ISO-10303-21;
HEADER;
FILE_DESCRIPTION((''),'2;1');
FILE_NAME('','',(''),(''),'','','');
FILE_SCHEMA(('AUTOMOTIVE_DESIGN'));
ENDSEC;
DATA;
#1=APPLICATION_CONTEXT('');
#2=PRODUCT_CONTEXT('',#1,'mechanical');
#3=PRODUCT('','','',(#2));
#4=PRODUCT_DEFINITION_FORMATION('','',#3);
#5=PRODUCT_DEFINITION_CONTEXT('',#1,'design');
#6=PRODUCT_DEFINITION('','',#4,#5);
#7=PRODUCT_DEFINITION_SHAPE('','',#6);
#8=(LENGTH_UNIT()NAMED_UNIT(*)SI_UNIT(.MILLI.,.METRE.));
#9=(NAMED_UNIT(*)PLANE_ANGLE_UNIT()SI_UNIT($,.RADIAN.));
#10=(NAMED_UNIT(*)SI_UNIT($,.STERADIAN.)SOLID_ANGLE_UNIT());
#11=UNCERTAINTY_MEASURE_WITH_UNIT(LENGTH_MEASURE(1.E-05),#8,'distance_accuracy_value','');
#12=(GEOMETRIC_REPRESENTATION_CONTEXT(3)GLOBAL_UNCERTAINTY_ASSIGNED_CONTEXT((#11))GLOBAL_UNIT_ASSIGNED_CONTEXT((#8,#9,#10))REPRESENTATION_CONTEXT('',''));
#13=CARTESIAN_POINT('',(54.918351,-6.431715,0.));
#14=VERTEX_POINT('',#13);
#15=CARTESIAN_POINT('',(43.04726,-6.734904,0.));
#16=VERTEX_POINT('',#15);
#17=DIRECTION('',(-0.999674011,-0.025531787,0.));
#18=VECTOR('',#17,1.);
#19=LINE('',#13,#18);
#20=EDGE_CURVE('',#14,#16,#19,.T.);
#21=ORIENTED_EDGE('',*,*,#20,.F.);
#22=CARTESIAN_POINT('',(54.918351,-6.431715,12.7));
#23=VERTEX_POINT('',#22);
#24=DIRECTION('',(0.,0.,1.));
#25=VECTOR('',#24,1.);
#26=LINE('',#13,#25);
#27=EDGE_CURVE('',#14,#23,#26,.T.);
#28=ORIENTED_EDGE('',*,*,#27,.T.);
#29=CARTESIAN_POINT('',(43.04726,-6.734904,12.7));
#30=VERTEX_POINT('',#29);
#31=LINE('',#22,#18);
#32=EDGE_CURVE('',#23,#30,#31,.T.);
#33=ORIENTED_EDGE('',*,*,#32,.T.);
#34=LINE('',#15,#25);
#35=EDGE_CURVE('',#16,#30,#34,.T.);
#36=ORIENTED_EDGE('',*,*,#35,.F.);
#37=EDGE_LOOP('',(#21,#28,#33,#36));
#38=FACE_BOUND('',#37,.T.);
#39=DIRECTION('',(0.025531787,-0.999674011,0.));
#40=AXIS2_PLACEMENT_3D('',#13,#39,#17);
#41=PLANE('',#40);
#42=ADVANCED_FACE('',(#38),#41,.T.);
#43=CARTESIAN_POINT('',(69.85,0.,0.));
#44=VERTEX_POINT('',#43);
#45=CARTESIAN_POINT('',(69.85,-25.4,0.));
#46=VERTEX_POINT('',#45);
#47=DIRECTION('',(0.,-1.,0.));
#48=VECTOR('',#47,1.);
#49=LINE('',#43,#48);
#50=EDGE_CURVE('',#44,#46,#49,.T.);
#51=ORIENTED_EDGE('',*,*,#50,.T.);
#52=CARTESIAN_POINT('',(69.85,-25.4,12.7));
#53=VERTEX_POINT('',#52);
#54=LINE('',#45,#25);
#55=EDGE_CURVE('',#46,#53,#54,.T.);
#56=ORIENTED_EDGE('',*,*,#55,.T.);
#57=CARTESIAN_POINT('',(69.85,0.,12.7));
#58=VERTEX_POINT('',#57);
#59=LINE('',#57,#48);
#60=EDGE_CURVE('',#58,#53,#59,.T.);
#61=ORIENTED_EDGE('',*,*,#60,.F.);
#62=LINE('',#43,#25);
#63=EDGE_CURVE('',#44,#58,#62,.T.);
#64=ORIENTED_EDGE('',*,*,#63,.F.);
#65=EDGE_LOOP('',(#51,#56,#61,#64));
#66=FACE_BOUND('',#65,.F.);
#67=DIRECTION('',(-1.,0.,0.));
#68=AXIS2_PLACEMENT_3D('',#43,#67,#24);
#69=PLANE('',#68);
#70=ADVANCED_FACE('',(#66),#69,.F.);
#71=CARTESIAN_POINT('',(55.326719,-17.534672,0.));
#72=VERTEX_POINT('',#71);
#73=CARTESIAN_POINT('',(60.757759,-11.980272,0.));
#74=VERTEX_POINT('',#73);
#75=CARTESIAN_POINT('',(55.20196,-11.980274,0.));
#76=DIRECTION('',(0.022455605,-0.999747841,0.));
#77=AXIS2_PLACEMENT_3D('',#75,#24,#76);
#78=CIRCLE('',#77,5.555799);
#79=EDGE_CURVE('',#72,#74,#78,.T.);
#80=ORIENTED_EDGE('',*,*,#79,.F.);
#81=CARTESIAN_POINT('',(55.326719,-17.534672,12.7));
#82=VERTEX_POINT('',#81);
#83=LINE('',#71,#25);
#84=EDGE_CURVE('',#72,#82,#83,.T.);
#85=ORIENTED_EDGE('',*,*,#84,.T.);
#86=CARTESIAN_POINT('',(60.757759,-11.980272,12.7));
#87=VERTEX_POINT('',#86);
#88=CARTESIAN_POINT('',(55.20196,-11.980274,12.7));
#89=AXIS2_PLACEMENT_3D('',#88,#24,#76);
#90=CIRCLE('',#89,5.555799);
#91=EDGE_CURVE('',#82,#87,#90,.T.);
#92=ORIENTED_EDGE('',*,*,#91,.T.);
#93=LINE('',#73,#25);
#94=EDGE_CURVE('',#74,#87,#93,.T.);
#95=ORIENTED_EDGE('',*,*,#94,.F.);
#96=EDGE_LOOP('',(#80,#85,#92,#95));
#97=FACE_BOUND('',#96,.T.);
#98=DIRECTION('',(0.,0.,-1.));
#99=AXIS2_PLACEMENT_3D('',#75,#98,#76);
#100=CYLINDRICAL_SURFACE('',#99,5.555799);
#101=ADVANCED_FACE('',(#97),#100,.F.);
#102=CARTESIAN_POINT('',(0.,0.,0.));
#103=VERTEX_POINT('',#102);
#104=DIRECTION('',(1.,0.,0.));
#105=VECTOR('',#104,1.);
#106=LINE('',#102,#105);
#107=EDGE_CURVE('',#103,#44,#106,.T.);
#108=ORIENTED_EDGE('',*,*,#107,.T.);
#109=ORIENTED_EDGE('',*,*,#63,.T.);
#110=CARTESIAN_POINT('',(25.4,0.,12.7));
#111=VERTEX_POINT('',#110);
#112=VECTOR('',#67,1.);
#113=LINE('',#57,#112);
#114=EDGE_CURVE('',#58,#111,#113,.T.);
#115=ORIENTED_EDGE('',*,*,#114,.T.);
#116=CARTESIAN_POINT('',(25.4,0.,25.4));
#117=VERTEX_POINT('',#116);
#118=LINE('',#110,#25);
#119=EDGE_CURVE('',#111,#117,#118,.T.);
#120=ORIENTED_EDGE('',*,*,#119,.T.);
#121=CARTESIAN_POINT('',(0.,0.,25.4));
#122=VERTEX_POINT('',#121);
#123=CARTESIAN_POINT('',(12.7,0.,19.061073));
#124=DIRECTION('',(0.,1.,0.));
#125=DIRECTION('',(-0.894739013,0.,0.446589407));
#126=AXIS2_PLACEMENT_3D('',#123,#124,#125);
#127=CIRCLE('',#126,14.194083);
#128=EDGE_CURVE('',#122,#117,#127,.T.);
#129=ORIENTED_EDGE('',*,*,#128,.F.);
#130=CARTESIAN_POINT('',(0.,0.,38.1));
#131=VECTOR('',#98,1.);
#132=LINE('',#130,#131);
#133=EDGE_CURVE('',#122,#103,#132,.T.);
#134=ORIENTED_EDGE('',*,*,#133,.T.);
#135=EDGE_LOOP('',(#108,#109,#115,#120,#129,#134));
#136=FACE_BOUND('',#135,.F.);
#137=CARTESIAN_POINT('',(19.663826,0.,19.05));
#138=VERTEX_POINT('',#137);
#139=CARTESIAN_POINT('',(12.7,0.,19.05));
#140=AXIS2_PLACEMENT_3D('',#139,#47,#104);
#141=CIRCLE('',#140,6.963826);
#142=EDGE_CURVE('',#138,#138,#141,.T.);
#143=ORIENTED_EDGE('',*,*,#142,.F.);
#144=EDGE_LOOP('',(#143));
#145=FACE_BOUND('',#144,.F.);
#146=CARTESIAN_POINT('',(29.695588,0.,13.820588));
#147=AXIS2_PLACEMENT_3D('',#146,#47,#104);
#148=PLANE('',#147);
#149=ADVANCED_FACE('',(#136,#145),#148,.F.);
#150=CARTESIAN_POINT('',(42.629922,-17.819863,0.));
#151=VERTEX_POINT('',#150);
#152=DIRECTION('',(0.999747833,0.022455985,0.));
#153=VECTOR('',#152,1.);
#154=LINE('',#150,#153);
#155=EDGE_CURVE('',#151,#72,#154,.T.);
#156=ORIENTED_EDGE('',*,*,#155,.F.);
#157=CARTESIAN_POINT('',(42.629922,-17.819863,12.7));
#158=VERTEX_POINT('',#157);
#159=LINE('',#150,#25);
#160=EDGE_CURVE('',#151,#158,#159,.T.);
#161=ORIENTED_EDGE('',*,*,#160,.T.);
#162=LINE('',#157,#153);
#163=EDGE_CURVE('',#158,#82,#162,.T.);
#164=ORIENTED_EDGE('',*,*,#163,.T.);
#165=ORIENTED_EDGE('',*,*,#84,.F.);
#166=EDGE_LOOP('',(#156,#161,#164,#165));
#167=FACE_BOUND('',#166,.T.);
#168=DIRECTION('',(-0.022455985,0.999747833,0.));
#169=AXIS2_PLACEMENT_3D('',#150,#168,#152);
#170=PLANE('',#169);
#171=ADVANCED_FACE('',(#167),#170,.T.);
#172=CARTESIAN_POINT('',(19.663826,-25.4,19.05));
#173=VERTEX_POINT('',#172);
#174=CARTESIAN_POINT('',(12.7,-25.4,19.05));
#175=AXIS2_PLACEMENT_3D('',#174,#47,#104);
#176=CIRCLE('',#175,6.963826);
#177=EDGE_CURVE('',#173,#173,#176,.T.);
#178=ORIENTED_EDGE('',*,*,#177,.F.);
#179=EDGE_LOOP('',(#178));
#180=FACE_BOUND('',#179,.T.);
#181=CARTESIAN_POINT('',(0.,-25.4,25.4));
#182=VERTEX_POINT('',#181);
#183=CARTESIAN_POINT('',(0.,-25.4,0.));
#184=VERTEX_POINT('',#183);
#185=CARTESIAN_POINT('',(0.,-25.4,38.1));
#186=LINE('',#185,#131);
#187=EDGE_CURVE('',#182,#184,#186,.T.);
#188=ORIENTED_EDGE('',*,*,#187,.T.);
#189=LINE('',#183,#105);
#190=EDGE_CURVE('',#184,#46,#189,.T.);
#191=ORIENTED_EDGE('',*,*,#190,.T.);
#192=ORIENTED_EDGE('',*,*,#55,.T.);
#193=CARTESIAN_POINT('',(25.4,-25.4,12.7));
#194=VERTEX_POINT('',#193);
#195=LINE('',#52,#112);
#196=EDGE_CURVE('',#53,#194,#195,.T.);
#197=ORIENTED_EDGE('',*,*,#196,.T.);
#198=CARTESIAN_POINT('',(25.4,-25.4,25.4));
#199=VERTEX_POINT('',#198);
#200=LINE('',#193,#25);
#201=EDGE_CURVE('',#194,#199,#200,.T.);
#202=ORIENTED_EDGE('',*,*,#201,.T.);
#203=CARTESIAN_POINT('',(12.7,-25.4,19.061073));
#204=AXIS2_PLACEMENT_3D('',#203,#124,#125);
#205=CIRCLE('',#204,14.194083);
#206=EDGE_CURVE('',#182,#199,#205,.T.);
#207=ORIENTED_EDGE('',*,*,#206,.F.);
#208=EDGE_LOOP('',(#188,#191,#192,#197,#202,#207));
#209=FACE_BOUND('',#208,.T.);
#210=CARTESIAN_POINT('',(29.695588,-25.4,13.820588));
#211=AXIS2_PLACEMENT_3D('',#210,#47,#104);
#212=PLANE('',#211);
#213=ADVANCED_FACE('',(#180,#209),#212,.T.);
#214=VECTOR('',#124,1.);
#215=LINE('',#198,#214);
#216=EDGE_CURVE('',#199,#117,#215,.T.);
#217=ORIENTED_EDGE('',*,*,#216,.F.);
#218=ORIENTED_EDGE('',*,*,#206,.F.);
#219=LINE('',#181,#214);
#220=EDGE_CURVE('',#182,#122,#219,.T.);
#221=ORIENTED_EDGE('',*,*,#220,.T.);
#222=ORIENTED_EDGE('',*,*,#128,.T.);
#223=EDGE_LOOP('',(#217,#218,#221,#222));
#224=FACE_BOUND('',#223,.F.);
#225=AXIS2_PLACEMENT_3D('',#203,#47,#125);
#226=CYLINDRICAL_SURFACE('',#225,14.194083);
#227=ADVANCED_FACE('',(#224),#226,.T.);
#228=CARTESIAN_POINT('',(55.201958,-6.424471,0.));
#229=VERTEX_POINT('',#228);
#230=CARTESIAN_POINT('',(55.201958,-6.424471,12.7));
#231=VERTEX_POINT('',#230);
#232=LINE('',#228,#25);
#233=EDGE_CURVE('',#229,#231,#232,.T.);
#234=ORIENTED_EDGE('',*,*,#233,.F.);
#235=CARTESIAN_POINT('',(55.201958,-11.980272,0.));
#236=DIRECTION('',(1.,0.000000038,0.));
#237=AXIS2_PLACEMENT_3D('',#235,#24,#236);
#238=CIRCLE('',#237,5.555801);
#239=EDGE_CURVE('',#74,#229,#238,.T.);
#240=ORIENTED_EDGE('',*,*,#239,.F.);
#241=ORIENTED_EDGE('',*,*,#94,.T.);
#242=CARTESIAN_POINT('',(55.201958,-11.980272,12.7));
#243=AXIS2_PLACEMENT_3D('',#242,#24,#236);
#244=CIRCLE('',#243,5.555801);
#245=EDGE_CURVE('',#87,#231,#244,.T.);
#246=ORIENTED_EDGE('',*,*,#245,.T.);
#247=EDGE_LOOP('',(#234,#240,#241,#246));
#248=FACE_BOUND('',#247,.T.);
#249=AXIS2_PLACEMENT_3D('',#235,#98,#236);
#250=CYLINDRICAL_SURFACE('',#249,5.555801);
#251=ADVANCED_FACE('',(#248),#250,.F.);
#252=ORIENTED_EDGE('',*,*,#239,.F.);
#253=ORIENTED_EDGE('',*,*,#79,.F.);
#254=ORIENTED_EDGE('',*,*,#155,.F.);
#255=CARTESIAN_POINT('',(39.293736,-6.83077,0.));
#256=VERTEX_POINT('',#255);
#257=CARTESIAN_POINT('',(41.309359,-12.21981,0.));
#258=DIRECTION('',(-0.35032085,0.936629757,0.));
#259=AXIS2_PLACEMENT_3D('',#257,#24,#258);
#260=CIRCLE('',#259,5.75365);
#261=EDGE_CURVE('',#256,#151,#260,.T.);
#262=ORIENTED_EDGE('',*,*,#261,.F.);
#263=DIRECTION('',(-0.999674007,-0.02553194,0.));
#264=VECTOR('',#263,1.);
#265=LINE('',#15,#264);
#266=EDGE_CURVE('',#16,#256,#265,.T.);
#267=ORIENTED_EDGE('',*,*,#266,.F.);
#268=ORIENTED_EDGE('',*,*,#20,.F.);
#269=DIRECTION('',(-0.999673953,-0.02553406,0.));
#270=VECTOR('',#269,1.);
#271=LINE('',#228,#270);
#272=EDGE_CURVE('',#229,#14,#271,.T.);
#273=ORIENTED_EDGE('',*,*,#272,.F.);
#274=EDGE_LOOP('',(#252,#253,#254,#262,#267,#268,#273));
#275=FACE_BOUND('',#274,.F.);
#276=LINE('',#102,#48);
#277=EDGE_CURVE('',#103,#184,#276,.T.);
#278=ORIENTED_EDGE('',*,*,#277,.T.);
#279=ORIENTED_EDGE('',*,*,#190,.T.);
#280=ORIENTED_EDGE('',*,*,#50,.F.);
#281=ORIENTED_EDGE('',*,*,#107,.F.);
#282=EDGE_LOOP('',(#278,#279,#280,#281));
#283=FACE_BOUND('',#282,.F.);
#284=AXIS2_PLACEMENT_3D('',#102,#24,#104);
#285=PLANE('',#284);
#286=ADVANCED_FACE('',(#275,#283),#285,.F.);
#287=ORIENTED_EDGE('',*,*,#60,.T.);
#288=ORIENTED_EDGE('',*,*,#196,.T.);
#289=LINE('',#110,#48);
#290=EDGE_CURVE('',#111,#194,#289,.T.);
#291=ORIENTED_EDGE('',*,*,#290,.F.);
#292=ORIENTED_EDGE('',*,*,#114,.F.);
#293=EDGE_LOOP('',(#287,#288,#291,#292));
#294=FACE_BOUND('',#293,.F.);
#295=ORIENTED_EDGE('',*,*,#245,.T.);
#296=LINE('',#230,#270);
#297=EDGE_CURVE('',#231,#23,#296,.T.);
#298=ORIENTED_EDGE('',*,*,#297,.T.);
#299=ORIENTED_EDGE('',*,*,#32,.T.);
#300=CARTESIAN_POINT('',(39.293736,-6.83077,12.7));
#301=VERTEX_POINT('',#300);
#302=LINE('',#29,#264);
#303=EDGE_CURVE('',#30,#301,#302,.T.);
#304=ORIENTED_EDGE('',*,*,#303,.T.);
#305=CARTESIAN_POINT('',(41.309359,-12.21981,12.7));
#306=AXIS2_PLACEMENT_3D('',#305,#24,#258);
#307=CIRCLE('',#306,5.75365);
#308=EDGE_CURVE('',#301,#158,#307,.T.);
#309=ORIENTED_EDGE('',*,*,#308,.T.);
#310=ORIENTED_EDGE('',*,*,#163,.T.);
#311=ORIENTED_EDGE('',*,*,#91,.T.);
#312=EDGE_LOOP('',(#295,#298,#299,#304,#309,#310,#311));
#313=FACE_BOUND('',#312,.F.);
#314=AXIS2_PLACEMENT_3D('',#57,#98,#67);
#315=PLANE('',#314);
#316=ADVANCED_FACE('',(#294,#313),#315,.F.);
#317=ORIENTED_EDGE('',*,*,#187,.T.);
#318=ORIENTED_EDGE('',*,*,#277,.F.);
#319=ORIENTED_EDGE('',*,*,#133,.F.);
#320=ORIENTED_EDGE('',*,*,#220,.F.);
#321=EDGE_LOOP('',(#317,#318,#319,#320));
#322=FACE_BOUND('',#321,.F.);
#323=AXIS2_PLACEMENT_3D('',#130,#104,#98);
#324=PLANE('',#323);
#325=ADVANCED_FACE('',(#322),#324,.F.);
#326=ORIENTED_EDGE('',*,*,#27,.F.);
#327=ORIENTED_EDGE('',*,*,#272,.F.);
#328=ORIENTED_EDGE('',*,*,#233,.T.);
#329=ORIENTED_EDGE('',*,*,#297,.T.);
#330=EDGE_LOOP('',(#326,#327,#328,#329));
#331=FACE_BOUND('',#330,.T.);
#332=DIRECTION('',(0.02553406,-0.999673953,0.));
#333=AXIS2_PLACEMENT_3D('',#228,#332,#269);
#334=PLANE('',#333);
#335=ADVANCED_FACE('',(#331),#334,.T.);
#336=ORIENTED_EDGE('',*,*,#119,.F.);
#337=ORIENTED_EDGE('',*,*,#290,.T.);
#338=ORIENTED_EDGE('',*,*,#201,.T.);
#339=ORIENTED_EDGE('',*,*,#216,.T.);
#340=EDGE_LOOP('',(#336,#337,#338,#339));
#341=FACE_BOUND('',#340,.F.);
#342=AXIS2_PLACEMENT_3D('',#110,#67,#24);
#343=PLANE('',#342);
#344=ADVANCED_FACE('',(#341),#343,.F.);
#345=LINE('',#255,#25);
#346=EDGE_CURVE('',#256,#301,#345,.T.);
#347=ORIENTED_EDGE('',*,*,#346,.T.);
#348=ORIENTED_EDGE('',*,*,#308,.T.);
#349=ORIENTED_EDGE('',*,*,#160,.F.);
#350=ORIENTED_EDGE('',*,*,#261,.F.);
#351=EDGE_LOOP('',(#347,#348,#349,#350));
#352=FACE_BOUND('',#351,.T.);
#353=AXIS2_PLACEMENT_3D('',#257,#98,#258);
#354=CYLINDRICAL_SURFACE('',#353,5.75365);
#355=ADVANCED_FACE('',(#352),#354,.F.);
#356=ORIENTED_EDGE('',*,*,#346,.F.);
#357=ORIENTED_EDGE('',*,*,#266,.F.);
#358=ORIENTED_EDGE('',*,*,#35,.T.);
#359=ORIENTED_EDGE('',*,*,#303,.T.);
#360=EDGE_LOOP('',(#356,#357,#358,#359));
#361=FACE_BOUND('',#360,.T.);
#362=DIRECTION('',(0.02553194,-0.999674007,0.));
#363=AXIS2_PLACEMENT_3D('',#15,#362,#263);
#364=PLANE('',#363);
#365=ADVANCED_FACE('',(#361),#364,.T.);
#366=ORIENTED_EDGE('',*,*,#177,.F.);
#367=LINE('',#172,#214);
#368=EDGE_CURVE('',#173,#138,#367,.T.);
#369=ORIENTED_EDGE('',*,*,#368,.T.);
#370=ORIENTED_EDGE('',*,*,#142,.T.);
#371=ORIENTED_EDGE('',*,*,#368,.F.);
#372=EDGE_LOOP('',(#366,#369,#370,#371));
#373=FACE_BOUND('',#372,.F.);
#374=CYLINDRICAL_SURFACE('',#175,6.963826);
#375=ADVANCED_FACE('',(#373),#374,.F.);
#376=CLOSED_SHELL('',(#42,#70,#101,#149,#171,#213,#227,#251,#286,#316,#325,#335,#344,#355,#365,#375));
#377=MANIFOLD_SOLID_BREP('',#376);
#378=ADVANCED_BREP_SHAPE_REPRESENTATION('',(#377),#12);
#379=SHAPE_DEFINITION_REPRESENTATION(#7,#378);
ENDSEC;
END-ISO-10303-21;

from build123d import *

# Parameters (mm, degrees)
F1_DEPTH = 25.4
F2_R     = 6.963826
F3_DEPTH = 25.4
F5_DEPTH = 12.7


with BuildPart() as f1:
    # F0 (on Front) → F1 (new body)
    with BuildSketch(Plane.XZ):
        Polygon((0, 38.1), (0, 0), (69.85, 0), (69.85, 12.7), (25.4, 12.7), (25.4, 38.1), align=None)
    extrude(amount=F1_DEPTH)

    # F2 (on face) → F3 (cut)
    with BuildSketch(Plane.XZ.offset(25.4)):
        with Locations((12.7, 19.05)):
            Circle(F2_R)
        with BuildLine():
            ThreePointArc((0, 25.4), (12.7, 33.255156), (25.4, 25.4))
            Line((25.4, 25.4), (25.4, 38.1))
            Line((25.4, 38.1), (0, 38.1))
            Line((0, 38.1), (0, 25.4))
        make_face()
    extrude(amount=-F3_DEPTH, mode=Mode.SUBTRACT)

    # F4 (on Top) → F5 (cut)
    with BuildSketch(Plane.XY):
        with BuildLine():
            ThreePointArc((47.063009, -12.219809), (45.820597, -15.790974), (42.629922, -17.819863))
            Line((42.629922, -17.819863), (55.326719, -17.534672))
            ThreePointArc((55.326719, -17.534672), (49.649912, -12.184477), (54.918351, -6.431715))
            Line((54.918351, -6.431715), (43.04726, -6.734904))
            ThreePointArc((43.04726, -6.734904), (45.951759, -8.820897), (47.063009, -12.219809))
        make_face()
        with BuildLine():
            ThreePointArc((54.918351, -6.431715), (49.649912, -12.184477), (55.326719, -17.534672))
            ThreePointArc((55.326719, -17.534672), (59.174368, -15.864457), (60.757759, -11.980272))
            ThreePointArc((60.757759, -11.980272), (59.130503, -8.051728), (55.201958, -6.424471))
            Line((55.201958, -6.424471), (54.918351, -6.431715))
        make_face()
        with BuildLine():
            Line((43.04726, -6.734904), (39.293736, -6.83077))
            ThreePointArc((39.293736, -6.83077), (35.803833, -13.891235), (42.629922, -17.819863))
            ThreePointArc((42.629922, -17.819863), (45.820597, -15.790974), (47.063009, -12.219809))
            ThreePointArc((47.063009, -12.219809), (45.951759, -8.820897), (43.04726, -6.734904))
        make_face()
    extrude(amount=F5_DEPTH, mode=Mode.SUBTRACT)


solid = f1.part
